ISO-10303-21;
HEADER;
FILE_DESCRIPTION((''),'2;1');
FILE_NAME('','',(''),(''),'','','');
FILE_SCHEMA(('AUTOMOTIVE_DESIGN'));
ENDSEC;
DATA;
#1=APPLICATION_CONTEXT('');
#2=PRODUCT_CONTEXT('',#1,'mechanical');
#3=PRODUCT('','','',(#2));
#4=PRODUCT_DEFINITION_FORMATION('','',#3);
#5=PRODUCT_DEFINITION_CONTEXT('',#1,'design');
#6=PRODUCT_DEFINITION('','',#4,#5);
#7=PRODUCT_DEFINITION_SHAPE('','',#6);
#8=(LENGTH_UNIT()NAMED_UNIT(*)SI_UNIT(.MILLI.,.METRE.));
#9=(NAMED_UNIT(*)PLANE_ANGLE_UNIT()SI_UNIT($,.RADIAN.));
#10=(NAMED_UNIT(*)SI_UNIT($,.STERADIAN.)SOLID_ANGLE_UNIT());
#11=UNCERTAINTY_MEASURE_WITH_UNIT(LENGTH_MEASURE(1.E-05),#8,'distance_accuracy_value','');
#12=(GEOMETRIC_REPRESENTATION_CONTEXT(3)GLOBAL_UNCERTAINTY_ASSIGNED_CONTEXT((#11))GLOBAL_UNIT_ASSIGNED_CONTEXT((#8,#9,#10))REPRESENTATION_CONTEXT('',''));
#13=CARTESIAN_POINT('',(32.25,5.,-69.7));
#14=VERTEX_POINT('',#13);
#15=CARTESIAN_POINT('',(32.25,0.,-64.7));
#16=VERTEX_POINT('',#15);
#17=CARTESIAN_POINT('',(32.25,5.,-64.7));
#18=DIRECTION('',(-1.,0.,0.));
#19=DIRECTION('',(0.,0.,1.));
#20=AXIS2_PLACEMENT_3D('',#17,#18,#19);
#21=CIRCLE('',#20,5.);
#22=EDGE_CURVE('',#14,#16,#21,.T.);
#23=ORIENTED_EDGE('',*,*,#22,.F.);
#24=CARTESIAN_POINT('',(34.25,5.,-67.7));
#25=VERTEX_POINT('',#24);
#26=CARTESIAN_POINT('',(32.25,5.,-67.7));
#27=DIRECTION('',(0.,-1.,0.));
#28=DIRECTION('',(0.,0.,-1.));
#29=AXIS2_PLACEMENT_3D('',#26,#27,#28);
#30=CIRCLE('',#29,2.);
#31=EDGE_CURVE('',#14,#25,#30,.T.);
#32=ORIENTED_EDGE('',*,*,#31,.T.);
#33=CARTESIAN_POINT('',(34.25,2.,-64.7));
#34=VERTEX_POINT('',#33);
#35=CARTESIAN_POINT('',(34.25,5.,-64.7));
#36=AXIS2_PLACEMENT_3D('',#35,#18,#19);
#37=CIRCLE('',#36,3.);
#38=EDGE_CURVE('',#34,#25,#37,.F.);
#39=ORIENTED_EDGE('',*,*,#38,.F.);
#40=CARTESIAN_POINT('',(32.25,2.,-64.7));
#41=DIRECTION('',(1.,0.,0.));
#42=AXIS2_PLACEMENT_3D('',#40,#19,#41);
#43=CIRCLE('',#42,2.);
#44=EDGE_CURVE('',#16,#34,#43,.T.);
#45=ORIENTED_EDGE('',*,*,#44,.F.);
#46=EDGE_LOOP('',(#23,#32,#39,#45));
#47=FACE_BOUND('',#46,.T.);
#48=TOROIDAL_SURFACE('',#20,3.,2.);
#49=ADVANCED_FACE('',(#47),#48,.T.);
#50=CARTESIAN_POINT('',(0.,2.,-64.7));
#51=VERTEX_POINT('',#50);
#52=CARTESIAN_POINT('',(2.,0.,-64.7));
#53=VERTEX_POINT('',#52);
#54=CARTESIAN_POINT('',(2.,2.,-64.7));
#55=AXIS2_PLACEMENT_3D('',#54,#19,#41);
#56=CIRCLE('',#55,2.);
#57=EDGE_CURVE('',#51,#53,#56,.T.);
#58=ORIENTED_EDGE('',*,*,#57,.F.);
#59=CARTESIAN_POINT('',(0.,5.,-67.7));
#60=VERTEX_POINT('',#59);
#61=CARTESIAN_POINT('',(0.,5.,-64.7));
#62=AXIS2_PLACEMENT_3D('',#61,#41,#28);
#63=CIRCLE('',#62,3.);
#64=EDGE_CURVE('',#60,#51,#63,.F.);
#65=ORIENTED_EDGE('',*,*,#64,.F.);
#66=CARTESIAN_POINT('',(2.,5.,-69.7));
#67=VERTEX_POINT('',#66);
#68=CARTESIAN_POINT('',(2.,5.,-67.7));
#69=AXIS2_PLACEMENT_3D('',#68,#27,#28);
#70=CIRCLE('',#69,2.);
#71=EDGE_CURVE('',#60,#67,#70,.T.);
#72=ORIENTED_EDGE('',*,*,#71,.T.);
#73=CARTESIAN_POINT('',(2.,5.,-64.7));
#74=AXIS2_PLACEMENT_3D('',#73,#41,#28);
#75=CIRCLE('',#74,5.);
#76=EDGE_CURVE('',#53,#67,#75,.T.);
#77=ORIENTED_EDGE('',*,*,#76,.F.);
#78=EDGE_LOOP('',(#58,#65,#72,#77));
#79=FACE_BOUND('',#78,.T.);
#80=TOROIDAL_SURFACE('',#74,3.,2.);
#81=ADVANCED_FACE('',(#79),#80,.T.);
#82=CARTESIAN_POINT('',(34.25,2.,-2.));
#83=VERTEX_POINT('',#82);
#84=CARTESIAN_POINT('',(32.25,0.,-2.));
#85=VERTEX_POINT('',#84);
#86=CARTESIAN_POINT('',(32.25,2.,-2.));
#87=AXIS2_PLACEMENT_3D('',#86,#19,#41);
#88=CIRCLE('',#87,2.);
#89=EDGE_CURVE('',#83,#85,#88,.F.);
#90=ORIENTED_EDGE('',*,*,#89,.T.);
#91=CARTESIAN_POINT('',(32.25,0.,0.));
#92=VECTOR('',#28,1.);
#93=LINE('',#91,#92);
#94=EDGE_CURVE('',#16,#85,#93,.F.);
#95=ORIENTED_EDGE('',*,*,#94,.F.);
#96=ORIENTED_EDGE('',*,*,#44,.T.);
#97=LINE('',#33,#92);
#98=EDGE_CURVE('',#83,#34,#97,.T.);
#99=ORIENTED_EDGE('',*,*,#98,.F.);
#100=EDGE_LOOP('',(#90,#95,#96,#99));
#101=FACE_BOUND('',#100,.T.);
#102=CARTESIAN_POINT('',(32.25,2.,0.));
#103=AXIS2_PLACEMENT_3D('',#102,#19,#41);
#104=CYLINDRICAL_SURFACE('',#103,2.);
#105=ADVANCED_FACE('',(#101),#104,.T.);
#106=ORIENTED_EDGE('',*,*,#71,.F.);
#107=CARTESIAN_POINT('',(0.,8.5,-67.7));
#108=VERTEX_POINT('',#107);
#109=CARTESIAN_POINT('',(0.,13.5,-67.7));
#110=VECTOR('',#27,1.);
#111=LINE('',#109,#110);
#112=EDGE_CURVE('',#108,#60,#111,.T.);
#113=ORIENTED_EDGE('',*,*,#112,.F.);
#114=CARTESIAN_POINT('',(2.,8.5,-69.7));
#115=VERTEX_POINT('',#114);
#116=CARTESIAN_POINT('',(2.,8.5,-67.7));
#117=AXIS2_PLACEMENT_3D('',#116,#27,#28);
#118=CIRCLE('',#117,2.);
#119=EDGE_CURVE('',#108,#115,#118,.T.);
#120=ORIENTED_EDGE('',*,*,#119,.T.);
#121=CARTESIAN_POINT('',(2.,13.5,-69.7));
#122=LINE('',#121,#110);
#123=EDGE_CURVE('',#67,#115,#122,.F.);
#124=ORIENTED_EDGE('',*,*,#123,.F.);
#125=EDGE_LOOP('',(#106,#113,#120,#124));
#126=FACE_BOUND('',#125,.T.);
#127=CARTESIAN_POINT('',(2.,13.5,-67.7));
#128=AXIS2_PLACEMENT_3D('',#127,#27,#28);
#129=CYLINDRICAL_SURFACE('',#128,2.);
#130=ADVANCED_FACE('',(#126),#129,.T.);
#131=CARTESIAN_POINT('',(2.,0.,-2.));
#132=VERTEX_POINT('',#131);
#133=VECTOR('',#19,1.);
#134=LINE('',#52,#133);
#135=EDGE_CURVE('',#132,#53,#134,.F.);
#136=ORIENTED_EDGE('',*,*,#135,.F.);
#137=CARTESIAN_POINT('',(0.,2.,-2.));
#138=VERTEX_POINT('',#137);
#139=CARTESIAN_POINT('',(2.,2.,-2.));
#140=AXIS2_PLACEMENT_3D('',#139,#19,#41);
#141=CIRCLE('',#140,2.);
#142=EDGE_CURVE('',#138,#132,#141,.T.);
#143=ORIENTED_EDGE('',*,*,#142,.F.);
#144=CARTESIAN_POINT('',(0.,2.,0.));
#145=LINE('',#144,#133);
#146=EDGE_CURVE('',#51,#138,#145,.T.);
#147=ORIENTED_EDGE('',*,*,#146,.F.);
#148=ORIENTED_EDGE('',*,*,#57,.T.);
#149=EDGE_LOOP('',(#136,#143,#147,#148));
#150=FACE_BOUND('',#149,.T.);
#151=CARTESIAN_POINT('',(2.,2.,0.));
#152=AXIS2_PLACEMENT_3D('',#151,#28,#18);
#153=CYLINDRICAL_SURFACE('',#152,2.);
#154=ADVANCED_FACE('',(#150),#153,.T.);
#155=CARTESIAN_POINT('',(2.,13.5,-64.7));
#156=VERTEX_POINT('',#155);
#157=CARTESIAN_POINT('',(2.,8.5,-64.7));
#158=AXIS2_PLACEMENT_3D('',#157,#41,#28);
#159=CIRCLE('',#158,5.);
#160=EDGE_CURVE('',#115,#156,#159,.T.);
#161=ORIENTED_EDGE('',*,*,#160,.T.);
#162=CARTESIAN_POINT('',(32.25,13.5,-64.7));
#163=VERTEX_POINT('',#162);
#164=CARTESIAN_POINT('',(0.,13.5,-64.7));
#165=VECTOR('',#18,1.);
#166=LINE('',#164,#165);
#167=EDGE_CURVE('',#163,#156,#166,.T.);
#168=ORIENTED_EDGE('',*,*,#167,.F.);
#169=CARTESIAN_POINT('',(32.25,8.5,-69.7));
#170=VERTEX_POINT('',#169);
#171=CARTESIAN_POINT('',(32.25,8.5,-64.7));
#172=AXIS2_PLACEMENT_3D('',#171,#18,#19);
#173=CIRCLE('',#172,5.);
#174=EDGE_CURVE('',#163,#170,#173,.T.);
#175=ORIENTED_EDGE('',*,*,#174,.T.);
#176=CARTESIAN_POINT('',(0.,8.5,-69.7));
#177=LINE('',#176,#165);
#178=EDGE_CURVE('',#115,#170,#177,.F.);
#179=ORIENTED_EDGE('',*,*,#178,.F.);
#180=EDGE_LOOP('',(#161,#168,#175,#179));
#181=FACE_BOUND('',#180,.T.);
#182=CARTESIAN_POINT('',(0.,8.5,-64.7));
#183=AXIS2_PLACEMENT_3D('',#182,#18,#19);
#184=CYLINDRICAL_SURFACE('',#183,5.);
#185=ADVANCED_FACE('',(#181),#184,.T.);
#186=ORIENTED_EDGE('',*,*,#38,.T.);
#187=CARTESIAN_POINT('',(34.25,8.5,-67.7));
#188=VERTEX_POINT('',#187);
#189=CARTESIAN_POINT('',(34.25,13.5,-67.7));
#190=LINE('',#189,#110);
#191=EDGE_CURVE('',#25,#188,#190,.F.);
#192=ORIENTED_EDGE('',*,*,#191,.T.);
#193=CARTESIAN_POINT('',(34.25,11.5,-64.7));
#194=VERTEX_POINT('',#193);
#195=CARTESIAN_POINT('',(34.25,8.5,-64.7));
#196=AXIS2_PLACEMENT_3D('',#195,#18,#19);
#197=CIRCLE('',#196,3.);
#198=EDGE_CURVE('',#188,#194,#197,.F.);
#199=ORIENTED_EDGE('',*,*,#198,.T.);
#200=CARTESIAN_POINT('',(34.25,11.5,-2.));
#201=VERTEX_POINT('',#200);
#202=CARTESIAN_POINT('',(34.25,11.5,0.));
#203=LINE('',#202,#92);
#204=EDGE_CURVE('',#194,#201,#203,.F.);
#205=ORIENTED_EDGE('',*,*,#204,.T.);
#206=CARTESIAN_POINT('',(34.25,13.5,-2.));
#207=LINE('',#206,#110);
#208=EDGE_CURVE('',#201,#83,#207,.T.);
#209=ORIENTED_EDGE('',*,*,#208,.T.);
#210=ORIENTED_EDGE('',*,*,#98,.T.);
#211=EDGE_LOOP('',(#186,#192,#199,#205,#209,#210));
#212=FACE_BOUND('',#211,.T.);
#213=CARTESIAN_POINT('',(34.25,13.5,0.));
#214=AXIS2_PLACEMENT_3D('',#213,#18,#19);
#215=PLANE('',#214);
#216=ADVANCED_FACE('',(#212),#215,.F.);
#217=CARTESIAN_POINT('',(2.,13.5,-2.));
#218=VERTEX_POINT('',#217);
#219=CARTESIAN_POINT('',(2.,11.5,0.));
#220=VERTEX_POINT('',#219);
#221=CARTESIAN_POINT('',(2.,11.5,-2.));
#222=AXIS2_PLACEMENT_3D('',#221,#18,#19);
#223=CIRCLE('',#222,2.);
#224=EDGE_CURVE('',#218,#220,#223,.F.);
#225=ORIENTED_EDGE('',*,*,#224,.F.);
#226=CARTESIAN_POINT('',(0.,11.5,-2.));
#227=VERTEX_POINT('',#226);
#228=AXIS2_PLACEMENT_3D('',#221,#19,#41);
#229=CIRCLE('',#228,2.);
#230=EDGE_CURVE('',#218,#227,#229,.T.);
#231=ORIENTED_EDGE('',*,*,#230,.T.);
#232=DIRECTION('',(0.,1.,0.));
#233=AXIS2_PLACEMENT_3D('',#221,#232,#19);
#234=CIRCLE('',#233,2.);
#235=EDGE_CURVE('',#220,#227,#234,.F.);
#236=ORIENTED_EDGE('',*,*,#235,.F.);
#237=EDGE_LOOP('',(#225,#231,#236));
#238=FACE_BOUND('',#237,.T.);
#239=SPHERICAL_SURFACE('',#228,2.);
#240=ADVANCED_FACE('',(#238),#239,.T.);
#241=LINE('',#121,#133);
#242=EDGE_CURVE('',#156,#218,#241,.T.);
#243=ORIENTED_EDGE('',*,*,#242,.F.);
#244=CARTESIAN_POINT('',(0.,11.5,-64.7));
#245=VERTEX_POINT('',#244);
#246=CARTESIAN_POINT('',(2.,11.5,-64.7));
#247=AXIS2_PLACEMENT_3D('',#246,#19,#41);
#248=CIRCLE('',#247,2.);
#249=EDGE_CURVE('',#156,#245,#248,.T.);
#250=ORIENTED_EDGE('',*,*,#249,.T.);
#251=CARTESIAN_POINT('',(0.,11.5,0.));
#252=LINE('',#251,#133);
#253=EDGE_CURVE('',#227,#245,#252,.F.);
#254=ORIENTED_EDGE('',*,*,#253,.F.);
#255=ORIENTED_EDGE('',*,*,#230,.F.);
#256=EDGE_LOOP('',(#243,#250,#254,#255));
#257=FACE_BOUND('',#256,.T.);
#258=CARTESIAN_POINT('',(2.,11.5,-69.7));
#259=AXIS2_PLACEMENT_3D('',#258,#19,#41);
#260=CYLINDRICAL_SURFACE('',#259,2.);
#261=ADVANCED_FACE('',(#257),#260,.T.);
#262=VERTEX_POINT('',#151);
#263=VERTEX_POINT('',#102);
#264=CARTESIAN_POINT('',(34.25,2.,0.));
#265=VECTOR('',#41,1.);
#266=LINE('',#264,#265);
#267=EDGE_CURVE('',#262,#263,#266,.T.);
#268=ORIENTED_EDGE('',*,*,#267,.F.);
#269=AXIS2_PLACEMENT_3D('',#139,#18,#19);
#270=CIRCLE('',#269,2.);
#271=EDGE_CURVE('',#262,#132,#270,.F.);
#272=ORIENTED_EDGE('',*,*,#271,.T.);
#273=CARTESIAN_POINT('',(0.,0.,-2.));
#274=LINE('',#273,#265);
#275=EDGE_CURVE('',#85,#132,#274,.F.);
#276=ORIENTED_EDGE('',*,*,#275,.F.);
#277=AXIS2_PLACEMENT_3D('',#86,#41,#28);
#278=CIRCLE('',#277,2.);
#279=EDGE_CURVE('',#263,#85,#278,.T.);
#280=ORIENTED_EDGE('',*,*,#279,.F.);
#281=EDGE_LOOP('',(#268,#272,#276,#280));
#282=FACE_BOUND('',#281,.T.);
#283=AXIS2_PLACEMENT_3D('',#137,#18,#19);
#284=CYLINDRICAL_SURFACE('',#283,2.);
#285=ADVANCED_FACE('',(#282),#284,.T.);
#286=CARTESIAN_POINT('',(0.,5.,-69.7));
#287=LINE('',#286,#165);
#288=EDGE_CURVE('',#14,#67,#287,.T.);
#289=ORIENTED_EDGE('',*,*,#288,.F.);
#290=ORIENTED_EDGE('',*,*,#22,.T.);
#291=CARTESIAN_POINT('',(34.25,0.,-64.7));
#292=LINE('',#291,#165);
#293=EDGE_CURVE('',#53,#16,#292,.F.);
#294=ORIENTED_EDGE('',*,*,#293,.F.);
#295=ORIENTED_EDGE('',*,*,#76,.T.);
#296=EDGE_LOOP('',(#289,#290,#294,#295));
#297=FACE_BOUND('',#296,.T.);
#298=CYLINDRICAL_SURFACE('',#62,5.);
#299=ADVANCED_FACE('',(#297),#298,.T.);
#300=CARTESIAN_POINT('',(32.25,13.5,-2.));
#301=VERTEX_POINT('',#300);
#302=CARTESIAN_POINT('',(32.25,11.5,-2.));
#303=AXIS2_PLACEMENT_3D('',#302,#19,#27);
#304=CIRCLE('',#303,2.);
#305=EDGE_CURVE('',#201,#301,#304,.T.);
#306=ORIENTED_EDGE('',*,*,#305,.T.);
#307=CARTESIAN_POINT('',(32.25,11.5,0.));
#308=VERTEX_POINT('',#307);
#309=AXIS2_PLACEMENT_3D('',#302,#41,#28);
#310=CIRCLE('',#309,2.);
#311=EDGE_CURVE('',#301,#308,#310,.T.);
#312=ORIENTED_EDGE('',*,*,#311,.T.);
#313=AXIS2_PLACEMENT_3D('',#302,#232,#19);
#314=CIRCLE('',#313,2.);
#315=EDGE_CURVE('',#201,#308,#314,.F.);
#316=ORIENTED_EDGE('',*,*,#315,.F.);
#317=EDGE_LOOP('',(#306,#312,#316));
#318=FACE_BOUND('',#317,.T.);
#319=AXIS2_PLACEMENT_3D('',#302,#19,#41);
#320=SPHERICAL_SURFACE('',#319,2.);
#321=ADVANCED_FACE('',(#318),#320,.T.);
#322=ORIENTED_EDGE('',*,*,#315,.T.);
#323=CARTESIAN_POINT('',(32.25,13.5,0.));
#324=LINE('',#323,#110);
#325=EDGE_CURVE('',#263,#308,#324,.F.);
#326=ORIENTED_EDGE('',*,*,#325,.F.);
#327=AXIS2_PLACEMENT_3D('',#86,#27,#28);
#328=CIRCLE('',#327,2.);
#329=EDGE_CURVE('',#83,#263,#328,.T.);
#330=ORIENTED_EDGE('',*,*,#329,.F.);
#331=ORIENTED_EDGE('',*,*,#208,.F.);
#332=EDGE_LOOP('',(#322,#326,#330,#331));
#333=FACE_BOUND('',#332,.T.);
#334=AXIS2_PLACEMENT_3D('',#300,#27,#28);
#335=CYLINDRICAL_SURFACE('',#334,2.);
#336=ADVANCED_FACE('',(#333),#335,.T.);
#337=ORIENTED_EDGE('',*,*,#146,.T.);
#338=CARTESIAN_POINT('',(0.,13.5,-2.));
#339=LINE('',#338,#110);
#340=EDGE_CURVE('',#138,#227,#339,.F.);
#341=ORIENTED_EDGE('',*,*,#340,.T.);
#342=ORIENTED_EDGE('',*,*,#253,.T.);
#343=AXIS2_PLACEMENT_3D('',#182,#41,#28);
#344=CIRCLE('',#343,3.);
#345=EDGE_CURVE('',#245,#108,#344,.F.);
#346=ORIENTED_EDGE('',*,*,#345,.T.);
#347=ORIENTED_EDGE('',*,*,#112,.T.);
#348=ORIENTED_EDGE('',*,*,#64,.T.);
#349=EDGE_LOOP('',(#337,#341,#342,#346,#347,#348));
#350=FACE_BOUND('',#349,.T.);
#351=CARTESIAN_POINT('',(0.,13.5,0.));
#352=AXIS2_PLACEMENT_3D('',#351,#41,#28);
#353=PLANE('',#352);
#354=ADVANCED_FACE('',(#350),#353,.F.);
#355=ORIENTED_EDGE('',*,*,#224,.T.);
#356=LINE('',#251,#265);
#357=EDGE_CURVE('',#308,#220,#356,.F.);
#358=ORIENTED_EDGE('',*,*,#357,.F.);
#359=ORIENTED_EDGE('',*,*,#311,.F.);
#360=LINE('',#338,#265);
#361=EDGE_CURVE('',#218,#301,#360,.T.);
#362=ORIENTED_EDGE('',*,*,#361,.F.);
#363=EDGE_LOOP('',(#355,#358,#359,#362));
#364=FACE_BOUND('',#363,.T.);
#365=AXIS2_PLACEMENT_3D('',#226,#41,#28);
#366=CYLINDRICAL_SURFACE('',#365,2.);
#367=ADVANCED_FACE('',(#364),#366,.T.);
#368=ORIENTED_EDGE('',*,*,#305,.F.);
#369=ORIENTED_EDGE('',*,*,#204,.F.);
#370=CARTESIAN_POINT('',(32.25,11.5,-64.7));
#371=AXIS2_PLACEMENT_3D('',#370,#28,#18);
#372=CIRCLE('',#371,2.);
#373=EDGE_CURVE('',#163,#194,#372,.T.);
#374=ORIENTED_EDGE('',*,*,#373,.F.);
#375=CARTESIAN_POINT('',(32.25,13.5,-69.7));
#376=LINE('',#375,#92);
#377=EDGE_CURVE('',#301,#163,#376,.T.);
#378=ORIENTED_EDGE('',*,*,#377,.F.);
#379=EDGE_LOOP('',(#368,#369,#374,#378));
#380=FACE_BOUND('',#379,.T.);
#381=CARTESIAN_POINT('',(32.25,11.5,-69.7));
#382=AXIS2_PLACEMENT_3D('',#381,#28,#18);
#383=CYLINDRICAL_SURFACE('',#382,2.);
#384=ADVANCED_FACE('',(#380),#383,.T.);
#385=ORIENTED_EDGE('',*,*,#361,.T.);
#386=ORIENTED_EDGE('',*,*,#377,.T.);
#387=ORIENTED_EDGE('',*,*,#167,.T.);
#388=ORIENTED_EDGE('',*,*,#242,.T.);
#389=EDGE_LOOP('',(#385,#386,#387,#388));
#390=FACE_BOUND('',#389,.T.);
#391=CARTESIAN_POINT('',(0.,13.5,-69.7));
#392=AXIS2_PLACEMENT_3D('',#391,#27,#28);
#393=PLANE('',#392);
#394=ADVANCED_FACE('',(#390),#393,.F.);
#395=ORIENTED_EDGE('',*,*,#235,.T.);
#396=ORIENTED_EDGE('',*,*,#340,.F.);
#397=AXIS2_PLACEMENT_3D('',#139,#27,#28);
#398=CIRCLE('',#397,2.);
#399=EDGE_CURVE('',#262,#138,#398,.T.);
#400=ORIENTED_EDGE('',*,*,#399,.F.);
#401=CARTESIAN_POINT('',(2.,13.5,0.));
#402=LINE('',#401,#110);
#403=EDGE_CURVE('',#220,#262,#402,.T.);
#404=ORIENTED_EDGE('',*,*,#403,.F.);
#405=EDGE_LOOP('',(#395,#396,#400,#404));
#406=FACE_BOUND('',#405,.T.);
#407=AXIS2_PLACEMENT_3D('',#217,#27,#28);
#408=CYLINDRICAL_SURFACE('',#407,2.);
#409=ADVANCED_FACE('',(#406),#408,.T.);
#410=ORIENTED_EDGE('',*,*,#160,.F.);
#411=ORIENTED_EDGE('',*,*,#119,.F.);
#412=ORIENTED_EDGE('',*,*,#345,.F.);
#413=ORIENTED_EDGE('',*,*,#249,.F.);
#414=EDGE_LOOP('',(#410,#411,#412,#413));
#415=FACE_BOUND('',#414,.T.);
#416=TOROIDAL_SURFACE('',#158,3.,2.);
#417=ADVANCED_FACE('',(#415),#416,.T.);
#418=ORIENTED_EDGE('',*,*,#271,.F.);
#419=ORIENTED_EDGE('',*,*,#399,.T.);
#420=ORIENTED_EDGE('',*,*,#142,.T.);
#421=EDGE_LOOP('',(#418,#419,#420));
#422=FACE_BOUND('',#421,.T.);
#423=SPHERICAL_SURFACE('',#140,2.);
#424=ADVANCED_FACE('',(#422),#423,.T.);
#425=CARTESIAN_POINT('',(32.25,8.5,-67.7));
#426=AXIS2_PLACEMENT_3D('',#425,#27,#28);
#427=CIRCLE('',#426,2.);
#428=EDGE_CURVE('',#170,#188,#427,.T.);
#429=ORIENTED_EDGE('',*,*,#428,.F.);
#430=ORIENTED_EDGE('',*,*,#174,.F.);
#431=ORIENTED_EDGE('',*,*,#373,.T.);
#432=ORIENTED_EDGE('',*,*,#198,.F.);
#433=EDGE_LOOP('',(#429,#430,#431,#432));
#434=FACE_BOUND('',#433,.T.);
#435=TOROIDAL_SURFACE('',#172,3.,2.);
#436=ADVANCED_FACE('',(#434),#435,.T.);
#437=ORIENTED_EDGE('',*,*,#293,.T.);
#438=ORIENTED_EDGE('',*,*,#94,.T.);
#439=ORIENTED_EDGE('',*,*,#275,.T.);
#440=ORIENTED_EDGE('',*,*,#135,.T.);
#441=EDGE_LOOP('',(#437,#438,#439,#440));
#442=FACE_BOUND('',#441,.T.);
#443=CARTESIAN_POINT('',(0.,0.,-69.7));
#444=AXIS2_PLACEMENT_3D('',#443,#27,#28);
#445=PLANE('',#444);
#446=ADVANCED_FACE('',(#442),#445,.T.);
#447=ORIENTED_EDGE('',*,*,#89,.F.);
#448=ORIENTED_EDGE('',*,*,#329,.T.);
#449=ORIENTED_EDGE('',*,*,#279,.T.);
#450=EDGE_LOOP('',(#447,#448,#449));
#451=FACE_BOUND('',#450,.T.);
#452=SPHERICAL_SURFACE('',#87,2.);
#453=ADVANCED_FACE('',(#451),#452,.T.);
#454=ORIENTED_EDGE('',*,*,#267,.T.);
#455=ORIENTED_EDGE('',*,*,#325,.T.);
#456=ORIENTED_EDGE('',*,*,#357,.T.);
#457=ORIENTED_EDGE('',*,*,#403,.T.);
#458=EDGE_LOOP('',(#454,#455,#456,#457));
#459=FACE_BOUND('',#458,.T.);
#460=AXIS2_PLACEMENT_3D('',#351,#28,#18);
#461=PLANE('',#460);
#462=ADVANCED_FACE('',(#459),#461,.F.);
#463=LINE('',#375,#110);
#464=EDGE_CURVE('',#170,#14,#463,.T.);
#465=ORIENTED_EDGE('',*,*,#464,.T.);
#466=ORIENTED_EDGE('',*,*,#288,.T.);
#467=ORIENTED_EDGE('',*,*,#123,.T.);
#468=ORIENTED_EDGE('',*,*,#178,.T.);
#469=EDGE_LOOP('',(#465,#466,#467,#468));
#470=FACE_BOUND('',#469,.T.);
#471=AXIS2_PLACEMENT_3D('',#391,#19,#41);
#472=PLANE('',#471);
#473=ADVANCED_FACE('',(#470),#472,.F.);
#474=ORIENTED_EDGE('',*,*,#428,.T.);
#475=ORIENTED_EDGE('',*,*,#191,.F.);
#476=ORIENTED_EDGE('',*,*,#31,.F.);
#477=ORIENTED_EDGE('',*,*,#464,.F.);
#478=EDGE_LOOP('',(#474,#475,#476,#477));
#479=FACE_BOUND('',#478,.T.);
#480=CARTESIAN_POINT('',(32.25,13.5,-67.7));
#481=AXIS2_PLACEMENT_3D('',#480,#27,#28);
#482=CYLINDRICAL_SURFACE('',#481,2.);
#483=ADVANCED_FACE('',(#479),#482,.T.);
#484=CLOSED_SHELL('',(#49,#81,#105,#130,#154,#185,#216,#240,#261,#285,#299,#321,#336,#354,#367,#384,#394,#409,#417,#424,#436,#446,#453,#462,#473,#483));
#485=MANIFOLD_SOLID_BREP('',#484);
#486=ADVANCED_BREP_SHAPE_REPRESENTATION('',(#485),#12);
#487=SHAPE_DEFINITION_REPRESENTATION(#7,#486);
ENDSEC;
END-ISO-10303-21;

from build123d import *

# Parameters (mm, degrees)
SKETCH1_W           = 34.25
SKETCH1_H           = 69.7
BOSS_EXTRUDE1_DEPTH = 13.5
FILLET1_R           = 5
FILLET2_R           = 2


with BuildPart() as part:
    # Sketch1 → Boss-Extrude1 (new body)
    with BuildSketch(Plane(origin=(0, 0, 0), x_dir=(1, 0, 0), z_dir=(0, 1, 0))):
        with Locations((17.125, 34.85)):
            Rectangle(SKETCH1_W, SKETCH1_H)
    extrude(amount=BOSS_EXTRUDE1_DEPTH)

    # Fillet1
    fillet1_edges = [part.edges().sort_by_distance(p)[0] for p in [
        (17.125, 13.5, -69.7),
        (17.125, 0, -69.7),
    ]]
    fillet(fillet1_edges, radius=FILLET1_R)

    # Fillet2
    fillet2_edges = [part.edges().sort_by_distance(p)[0] for p in [
        (34.25, 13.5, -32.35),
        (0, 6.75, -69.7),
        (34.25, 6.75, -69.7),
        (0, 0, -32.35),
        (0, 13.5, -32.35),
        (0, 12.035533906, -68.235533906),
        (0, 1.464466094, -68.235533906),
        (34.25, 12.035533906, -68.235533906),
        (34.25, 1.464466094, -68.235533906),
        (34.25, 0, -32.35),
        (17.125, 0, 0),
        (17.125, 13.5, 0),
        (34.25, 6.75, 0),
        (0, 6.75, 0),
    ]]
    fillet(fillet2_edges, radius=FILLET2_R)


solid = part.part
